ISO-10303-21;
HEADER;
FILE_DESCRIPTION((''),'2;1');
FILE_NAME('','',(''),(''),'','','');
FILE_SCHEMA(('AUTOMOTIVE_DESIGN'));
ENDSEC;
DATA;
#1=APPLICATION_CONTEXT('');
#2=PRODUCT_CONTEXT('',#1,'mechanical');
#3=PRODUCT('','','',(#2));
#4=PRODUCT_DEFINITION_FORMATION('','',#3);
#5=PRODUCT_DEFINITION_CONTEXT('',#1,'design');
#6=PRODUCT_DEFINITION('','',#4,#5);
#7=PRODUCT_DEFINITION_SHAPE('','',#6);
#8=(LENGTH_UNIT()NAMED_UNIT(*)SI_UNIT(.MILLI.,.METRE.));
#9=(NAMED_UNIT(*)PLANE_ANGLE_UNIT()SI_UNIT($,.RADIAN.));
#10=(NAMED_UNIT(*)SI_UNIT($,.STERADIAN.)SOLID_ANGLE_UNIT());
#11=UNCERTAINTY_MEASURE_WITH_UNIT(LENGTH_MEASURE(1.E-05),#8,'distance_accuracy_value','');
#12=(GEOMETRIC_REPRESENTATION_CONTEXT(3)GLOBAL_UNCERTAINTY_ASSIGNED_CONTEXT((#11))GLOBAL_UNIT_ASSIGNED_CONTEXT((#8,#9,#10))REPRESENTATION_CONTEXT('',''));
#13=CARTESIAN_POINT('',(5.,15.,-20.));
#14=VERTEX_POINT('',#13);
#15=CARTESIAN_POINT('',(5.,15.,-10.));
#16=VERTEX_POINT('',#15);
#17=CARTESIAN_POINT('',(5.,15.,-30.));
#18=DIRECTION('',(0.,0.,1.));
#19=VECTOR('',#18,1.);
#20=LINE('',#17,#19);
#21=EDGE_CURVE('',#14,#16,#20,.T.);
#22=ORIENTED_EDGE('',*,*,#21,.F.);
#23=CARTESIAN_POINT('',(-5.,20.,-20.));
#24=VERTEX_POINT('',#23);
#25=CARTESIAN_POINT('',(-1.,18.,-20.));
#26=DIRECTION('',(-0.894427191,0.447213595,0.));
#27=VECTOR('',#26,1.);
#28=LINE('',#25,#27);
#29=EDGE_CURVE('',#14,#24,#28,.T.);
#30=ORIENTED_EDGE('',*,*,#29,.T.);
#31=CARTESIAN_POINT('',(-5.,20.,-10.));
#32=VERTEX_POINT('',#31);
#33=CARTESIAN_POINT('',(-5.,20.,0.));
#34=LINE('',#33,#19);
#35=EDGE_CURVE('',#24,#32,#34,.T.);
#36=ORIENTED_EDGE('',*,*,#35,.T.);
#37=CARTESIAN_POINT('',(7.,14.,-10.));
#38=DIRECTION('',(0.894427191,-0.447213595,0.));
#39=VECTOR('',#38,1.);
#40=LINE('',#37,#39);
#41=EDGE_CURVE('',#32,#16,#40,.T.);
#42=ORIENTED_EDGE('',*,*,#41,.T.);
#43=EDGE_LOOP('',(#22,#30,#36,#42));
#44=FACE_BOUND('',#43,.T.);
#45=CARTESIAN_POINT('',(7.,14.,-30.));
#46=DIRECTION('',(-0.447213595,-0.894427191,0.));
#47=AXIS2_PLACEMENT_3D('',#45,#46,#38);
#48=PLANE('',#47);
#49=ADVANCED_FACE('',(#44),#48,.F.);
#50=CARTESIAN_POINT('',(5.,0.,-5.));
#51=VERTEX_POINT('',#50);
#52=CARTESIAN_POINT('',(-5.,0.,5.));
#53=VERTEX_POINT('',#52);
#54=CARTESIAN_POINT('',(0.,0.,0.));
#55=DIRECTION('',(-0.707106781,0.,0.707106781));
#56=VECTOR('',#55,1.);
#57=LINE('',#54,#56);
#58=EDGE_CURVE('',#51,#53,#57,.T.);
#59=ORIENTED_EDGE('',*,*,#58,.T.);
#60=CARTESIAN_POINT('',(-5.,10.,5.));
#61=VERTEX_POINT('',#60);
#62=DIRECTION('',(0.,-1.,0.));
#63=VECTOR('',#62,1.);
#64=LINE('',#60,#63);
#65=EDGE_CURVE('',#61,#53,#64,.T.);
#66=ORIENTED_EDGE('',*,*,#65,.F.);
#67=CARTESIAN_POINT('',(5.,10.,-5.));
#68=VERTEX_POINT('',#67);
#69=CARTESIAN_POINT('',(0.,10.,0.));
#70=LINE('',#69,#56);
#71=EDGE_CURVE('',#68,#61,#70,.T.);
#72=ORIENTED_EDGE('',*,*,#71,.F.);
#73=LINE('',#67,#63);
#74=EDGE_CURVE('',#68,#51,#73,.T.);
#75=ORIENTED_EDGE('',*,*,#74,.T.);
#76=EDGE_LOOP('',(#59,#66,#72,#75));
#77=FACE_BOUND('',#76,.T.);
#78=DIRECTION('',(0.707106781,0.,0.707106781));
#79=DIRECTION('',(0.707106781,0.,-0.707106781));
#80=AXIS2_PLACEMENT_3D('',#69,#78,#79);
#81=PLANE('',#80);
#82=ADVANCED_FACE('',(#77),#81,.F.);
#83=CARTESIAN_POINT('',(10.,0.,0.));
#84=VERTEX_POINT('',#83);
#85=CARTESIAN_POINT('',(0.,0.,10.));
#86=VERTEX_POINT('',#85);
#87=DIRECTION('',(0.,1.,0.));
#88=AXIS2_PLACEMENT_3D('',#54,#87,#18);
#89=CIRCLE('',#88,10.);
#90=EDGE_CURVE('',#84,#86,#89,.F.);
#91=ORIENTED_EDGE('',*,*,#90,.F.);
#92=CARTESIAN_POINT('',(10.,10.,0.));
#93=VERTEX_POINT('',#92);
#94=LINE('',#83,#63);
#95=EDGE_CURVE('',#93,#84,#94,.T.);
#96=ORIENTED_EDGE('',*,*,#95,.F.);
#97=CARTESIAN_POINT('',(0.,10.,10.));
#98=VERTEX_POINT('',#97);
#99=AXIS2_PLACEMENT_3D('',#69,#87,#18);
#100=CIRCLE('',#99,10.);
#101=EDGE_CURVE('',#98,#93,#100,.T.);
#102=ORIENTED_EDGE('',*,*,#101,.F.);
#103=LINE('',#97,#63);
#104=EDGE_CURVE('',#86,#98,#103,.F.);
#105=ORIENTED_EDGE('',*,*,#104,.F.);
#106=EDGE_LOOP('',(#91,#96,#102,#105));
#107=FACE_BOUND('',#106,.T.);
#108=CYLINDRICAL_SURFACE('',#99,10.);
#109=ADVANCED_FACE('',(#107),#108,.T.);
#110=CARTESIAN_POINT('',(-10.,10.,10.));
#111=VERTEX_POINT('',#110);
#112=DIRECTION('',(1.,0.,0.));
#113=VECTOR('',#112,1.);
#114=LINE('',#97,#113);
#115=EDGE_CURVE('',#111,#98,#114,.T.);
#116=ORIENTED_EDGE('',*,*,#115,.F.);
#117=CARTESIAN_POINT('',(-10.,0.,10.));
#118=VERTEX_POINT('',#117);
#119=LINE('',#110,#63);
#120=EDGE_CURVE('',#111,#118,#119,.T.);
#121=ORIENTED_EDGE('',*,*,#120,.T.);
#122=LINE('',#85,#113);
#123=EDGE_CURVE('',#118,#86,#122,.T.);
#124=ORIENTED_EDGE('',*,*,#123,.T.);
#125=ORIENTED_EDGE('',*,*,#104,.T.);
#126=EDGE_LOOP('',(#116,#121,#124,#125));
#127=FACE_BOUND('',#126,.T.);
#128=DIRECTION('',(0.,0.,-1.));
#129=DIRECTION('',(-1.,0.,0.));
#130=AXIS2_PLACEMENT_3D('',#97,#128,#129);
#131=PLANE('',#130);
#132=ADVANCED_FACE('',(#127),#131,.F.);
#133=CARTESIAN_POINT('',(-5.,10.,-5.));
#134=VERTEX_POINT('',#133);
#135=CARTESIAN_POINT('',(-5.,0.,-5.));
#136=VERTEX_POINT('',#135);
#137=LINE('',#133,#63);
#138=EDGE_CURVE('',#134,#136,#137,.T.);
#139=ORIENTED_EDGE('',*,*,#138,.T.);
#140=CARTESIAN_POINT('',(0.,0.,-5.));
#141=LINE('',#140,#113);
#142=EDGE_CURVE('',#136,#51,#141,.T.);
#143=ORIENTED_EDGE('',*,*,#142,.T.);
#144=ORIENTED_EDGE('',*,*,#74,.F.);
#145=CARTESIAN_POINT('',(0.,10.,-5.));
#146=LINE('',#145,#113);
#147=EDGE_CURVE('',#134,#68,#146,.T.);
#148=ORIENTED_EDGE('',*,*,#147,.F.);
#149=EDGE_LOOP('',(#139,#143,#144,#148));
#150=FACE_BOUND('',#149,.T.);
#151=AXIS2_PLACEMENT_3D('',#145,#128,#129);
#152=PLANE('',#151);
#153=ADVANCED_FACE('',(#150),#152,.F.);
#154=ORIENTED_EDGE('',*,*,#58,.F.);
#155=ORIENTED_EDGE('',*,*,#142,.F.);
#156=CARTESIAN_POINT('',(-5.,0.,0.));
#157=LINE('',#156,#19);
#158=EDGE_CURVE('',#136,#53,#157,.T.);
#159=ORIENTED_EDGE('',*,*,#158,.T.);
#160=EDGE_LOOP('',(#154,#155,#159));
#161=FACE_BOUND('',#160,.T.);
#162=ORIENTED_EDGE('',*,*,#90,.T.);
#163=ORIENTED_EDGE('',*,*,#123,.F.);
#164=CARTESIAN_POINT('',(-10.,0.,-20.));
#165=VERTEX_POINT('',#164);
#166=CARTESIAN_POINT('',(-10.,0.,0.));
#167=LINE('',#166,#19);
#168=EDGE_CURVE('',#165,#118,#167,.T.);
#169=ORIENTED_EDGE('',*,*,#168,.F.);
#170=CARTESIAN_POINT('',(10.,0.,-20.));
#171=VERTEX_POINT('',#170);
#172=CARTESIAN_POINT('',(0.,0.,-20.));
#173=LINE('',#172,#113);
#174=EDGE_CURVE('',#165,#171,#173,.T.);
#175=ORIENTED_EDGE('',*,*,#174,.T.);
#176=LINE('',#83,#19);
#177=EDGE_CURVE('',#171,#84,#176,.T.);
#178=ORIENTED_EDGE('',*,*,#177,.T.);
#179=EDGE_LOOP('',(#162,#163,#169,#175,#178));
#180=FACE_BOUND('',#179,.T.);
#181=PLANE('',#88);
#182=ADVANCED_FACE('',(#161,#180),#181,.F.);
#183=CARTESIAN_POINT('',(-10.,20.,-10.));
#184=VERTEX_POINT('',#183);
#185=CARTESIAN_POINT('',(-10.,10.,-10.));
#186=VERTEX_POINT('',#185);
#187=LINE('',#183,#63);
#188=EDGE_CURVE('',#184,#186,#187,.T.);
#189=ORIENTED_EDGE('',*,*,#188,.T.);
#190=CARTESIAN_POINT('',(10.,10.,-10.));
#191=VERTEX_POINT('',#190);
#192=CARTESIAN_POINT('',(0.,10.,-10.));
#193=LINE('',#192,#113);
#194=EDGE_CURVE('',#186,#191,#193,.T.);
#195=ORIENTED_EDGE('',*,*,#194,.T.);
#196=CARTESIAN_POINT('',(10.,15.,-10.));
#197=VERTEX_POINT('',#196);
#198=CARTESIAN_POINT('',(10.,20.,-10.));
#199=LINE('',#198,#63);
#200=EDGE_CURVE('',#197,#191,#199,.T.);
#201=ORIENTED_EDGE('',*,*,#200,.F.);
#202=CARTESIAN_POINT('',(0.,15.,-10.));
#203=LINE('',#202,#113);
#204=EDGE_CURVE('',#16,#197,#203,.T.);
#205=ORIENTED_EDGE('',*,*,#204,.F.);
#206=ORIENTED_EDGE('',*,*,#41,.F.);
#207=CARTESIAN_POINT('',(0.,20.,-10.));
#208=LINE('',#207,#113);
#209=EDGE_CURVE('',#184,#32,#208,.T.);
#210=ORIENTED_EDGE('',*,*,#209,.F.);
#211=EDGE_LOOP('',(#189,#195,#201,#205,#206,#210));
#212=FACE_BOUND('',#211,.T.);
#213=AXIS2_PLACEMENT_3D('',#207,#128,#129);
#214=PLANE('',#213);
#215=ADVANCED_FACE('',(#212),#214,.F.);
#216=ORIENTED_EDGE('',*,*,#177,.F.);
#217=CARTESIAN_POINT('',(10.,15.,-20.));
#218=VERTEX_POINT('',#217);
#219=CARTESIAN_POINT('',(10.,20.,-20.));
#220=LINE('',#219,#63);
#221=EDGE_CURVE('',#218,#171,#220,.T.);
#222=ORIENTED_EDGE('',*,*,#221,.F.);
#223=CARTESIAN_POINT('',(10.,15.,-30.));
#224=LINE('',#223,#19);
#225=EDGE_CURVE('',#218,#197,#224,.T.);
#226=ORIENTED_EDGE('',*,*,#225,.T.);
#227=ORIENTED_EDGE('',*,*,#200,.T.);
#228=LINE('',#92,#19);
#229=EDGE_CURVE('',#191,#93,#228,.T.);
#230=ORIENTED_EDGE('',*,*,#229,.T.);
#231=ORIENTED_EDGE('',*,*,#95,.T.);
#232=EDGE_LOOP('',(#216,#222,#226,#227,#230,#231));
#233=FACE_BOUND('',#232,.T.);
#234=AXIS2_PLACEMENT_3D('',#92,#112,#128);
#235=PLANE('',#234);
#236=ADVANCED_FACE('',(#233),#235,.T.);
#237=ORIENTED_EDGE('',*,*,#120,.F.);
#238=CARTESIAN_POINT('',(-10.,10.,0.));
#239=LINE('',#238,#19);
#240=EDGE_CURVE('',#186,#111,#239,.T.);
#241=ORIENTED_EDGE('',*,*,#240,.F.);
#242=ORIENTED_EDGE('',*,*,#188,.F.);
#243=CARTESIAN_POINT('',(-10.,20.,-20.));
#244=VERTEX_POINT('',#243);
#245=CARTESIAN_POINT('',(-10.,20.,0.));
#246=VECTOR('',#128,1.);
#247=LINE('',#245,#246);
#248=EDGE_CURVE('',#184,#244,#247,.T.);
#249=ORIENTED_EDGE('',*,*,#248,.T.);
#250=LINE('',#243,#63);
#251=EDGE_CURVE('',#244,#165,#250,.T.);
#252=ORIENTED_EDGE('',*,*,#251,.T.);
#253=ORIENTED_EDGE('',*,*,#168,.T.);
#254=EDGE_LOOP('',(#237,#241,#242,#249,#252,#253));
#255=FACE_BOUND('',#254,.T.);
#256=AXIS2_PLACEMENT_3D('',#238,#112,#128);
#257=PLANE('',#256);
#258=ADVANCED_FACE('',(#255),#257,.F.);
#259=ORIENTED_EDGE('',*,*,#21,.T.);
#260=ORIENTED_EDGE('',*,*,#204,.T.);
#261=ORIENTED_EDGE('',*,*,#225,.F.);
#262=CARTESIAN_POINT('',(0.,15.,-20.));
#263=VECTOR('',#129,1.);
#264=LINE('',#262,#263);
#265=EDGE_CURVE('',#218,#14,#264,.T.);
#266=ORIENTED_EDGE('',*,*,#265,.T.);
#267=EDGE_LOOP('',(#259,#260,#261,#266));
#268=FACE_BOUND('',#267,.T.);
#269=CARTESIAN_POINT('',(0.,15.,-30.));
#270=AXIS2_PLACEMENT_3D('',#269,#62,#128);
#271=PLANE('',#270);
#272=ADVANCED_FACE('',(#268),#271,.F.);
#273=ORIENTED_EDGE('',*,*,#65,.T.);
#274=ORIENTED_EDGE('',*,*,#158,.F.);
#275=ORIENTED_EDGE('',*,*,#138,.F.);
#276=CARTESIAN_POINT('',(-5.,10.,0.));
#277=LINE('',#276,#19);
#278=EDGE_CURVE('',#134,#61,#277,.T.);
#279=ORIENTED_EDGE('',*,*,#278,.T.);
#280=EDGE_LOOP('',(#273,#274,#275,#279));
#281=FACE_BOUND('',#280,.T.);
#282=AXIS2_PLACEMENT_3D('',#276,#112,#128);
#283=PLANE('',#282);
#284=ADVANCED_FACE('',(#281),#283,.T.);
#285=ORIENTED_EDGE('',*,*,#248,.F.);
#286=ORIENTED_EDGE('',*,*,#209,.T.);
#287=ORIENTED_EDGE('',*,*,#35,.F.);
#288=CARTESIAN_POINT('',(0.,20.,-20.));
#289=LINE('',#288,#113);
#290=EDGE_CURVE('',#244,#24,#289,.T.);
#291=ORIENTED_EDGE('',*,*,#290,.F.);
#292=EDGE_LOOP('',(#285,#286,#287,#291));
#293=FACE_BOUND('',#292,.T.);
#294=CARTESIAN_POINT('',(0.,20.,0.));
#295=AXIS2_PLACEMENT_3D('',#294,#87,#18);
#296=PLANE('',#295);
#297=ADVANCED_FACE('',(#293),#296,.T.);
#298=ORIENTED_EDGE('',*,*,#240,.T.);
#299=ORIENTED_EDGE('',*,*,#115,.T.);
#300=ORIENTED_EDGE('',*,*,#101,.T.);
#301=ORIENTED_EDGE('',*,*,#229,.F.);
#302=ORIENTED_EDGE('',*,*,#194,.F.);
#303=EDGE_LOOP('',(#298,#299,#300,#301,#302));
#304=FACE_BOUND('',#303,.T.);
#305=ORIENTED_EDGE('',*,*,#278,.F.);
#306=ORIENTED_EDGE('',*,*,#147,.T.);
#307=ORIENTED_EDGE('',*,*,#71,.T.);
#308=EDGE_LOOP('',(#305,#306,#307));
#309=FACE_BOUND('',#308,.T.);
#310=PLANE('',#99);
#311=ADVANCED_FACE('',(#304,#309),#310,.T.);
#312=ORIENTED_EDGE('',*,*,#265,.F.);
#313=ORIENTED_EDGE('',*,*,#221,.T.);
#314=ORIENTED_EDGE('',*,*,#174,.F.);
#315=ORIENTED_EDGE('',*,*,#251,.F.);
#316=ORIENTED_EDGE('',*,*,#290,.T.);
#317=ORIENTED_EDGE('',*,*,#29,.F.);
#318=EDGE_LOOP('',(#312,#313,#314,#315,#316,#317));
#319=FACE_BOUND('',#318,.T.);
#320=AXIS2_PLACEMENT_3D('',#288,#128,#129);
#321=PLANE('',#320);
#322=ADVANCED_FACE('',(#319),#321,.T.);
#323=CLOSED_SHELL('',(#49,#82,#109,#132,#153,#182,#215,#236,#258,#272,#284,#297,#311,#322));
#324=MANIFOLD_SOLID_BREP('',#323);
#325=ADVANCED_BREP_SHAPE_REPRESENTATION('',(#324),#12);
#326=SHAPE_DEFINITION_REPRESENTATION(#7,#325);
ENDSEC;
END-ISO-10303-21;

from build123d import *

# Parameters (mm, degrees)
EXTRUDE_1_DEPTH     = 10
SKETCH_1_3_W        = 20
SKETCH_1_3_H        = 10
EXTRUDE_2_DEPTH     = 20
CUT_EXTRUDE_1_DEPTH = 20
FILLET_1_R          = 10


with BuildPart() as part:
    # 草圖1 → 填料-伸長1 (new body)
    with BuildSketch(Plane(origin=(0, 0, 0), x_dir=(1, 0, 0), z_dir=(0, 1, 0))):
        Polygon((-5, 10), (-10, 10), (-10, -10), (10, -10), (10, 10), (5, 10), align=None)
        Polygon((-5, 5), (5, 5), (-5, -5), align=None, mode=Mode.SUBTRACT)
    extrude(amount=EXTRUDE_1_DEPTH)

    # 草圖1<3> → 填料-伸長2 (add)
    with BuildSketch(Plane(origin=(0, 0, 0), x_dir=(1, 0, 0), z_dir=(0, 1, 0))):
        with Locations((0, 15)):
            Rectangle(SKETCH_1_3_W, SKETCH_1_3_H)
    extrude(amount=EXTRUDE_2_DEPTH)

    # 草圖2 → 除料-伸長1 (cut)
    with BuildSketch(Plane.XY.offset(-10)):
        Polygon((-5, 20), (5, 15), (10, 15), (10, 20), align=None)
    extrude(amount=-CUT_EXTRUDE_1_DEPTH, mode=Mode.SUBTRACT)

    # 圓角1
    fillet_1_edges = [part.edges().sort_by_distance(p)[0] for p in [
        (10, 5, 10),
    ]]
    fillet(fillet_1_edges, radius=FILLET_1_R)


solid = part.part
